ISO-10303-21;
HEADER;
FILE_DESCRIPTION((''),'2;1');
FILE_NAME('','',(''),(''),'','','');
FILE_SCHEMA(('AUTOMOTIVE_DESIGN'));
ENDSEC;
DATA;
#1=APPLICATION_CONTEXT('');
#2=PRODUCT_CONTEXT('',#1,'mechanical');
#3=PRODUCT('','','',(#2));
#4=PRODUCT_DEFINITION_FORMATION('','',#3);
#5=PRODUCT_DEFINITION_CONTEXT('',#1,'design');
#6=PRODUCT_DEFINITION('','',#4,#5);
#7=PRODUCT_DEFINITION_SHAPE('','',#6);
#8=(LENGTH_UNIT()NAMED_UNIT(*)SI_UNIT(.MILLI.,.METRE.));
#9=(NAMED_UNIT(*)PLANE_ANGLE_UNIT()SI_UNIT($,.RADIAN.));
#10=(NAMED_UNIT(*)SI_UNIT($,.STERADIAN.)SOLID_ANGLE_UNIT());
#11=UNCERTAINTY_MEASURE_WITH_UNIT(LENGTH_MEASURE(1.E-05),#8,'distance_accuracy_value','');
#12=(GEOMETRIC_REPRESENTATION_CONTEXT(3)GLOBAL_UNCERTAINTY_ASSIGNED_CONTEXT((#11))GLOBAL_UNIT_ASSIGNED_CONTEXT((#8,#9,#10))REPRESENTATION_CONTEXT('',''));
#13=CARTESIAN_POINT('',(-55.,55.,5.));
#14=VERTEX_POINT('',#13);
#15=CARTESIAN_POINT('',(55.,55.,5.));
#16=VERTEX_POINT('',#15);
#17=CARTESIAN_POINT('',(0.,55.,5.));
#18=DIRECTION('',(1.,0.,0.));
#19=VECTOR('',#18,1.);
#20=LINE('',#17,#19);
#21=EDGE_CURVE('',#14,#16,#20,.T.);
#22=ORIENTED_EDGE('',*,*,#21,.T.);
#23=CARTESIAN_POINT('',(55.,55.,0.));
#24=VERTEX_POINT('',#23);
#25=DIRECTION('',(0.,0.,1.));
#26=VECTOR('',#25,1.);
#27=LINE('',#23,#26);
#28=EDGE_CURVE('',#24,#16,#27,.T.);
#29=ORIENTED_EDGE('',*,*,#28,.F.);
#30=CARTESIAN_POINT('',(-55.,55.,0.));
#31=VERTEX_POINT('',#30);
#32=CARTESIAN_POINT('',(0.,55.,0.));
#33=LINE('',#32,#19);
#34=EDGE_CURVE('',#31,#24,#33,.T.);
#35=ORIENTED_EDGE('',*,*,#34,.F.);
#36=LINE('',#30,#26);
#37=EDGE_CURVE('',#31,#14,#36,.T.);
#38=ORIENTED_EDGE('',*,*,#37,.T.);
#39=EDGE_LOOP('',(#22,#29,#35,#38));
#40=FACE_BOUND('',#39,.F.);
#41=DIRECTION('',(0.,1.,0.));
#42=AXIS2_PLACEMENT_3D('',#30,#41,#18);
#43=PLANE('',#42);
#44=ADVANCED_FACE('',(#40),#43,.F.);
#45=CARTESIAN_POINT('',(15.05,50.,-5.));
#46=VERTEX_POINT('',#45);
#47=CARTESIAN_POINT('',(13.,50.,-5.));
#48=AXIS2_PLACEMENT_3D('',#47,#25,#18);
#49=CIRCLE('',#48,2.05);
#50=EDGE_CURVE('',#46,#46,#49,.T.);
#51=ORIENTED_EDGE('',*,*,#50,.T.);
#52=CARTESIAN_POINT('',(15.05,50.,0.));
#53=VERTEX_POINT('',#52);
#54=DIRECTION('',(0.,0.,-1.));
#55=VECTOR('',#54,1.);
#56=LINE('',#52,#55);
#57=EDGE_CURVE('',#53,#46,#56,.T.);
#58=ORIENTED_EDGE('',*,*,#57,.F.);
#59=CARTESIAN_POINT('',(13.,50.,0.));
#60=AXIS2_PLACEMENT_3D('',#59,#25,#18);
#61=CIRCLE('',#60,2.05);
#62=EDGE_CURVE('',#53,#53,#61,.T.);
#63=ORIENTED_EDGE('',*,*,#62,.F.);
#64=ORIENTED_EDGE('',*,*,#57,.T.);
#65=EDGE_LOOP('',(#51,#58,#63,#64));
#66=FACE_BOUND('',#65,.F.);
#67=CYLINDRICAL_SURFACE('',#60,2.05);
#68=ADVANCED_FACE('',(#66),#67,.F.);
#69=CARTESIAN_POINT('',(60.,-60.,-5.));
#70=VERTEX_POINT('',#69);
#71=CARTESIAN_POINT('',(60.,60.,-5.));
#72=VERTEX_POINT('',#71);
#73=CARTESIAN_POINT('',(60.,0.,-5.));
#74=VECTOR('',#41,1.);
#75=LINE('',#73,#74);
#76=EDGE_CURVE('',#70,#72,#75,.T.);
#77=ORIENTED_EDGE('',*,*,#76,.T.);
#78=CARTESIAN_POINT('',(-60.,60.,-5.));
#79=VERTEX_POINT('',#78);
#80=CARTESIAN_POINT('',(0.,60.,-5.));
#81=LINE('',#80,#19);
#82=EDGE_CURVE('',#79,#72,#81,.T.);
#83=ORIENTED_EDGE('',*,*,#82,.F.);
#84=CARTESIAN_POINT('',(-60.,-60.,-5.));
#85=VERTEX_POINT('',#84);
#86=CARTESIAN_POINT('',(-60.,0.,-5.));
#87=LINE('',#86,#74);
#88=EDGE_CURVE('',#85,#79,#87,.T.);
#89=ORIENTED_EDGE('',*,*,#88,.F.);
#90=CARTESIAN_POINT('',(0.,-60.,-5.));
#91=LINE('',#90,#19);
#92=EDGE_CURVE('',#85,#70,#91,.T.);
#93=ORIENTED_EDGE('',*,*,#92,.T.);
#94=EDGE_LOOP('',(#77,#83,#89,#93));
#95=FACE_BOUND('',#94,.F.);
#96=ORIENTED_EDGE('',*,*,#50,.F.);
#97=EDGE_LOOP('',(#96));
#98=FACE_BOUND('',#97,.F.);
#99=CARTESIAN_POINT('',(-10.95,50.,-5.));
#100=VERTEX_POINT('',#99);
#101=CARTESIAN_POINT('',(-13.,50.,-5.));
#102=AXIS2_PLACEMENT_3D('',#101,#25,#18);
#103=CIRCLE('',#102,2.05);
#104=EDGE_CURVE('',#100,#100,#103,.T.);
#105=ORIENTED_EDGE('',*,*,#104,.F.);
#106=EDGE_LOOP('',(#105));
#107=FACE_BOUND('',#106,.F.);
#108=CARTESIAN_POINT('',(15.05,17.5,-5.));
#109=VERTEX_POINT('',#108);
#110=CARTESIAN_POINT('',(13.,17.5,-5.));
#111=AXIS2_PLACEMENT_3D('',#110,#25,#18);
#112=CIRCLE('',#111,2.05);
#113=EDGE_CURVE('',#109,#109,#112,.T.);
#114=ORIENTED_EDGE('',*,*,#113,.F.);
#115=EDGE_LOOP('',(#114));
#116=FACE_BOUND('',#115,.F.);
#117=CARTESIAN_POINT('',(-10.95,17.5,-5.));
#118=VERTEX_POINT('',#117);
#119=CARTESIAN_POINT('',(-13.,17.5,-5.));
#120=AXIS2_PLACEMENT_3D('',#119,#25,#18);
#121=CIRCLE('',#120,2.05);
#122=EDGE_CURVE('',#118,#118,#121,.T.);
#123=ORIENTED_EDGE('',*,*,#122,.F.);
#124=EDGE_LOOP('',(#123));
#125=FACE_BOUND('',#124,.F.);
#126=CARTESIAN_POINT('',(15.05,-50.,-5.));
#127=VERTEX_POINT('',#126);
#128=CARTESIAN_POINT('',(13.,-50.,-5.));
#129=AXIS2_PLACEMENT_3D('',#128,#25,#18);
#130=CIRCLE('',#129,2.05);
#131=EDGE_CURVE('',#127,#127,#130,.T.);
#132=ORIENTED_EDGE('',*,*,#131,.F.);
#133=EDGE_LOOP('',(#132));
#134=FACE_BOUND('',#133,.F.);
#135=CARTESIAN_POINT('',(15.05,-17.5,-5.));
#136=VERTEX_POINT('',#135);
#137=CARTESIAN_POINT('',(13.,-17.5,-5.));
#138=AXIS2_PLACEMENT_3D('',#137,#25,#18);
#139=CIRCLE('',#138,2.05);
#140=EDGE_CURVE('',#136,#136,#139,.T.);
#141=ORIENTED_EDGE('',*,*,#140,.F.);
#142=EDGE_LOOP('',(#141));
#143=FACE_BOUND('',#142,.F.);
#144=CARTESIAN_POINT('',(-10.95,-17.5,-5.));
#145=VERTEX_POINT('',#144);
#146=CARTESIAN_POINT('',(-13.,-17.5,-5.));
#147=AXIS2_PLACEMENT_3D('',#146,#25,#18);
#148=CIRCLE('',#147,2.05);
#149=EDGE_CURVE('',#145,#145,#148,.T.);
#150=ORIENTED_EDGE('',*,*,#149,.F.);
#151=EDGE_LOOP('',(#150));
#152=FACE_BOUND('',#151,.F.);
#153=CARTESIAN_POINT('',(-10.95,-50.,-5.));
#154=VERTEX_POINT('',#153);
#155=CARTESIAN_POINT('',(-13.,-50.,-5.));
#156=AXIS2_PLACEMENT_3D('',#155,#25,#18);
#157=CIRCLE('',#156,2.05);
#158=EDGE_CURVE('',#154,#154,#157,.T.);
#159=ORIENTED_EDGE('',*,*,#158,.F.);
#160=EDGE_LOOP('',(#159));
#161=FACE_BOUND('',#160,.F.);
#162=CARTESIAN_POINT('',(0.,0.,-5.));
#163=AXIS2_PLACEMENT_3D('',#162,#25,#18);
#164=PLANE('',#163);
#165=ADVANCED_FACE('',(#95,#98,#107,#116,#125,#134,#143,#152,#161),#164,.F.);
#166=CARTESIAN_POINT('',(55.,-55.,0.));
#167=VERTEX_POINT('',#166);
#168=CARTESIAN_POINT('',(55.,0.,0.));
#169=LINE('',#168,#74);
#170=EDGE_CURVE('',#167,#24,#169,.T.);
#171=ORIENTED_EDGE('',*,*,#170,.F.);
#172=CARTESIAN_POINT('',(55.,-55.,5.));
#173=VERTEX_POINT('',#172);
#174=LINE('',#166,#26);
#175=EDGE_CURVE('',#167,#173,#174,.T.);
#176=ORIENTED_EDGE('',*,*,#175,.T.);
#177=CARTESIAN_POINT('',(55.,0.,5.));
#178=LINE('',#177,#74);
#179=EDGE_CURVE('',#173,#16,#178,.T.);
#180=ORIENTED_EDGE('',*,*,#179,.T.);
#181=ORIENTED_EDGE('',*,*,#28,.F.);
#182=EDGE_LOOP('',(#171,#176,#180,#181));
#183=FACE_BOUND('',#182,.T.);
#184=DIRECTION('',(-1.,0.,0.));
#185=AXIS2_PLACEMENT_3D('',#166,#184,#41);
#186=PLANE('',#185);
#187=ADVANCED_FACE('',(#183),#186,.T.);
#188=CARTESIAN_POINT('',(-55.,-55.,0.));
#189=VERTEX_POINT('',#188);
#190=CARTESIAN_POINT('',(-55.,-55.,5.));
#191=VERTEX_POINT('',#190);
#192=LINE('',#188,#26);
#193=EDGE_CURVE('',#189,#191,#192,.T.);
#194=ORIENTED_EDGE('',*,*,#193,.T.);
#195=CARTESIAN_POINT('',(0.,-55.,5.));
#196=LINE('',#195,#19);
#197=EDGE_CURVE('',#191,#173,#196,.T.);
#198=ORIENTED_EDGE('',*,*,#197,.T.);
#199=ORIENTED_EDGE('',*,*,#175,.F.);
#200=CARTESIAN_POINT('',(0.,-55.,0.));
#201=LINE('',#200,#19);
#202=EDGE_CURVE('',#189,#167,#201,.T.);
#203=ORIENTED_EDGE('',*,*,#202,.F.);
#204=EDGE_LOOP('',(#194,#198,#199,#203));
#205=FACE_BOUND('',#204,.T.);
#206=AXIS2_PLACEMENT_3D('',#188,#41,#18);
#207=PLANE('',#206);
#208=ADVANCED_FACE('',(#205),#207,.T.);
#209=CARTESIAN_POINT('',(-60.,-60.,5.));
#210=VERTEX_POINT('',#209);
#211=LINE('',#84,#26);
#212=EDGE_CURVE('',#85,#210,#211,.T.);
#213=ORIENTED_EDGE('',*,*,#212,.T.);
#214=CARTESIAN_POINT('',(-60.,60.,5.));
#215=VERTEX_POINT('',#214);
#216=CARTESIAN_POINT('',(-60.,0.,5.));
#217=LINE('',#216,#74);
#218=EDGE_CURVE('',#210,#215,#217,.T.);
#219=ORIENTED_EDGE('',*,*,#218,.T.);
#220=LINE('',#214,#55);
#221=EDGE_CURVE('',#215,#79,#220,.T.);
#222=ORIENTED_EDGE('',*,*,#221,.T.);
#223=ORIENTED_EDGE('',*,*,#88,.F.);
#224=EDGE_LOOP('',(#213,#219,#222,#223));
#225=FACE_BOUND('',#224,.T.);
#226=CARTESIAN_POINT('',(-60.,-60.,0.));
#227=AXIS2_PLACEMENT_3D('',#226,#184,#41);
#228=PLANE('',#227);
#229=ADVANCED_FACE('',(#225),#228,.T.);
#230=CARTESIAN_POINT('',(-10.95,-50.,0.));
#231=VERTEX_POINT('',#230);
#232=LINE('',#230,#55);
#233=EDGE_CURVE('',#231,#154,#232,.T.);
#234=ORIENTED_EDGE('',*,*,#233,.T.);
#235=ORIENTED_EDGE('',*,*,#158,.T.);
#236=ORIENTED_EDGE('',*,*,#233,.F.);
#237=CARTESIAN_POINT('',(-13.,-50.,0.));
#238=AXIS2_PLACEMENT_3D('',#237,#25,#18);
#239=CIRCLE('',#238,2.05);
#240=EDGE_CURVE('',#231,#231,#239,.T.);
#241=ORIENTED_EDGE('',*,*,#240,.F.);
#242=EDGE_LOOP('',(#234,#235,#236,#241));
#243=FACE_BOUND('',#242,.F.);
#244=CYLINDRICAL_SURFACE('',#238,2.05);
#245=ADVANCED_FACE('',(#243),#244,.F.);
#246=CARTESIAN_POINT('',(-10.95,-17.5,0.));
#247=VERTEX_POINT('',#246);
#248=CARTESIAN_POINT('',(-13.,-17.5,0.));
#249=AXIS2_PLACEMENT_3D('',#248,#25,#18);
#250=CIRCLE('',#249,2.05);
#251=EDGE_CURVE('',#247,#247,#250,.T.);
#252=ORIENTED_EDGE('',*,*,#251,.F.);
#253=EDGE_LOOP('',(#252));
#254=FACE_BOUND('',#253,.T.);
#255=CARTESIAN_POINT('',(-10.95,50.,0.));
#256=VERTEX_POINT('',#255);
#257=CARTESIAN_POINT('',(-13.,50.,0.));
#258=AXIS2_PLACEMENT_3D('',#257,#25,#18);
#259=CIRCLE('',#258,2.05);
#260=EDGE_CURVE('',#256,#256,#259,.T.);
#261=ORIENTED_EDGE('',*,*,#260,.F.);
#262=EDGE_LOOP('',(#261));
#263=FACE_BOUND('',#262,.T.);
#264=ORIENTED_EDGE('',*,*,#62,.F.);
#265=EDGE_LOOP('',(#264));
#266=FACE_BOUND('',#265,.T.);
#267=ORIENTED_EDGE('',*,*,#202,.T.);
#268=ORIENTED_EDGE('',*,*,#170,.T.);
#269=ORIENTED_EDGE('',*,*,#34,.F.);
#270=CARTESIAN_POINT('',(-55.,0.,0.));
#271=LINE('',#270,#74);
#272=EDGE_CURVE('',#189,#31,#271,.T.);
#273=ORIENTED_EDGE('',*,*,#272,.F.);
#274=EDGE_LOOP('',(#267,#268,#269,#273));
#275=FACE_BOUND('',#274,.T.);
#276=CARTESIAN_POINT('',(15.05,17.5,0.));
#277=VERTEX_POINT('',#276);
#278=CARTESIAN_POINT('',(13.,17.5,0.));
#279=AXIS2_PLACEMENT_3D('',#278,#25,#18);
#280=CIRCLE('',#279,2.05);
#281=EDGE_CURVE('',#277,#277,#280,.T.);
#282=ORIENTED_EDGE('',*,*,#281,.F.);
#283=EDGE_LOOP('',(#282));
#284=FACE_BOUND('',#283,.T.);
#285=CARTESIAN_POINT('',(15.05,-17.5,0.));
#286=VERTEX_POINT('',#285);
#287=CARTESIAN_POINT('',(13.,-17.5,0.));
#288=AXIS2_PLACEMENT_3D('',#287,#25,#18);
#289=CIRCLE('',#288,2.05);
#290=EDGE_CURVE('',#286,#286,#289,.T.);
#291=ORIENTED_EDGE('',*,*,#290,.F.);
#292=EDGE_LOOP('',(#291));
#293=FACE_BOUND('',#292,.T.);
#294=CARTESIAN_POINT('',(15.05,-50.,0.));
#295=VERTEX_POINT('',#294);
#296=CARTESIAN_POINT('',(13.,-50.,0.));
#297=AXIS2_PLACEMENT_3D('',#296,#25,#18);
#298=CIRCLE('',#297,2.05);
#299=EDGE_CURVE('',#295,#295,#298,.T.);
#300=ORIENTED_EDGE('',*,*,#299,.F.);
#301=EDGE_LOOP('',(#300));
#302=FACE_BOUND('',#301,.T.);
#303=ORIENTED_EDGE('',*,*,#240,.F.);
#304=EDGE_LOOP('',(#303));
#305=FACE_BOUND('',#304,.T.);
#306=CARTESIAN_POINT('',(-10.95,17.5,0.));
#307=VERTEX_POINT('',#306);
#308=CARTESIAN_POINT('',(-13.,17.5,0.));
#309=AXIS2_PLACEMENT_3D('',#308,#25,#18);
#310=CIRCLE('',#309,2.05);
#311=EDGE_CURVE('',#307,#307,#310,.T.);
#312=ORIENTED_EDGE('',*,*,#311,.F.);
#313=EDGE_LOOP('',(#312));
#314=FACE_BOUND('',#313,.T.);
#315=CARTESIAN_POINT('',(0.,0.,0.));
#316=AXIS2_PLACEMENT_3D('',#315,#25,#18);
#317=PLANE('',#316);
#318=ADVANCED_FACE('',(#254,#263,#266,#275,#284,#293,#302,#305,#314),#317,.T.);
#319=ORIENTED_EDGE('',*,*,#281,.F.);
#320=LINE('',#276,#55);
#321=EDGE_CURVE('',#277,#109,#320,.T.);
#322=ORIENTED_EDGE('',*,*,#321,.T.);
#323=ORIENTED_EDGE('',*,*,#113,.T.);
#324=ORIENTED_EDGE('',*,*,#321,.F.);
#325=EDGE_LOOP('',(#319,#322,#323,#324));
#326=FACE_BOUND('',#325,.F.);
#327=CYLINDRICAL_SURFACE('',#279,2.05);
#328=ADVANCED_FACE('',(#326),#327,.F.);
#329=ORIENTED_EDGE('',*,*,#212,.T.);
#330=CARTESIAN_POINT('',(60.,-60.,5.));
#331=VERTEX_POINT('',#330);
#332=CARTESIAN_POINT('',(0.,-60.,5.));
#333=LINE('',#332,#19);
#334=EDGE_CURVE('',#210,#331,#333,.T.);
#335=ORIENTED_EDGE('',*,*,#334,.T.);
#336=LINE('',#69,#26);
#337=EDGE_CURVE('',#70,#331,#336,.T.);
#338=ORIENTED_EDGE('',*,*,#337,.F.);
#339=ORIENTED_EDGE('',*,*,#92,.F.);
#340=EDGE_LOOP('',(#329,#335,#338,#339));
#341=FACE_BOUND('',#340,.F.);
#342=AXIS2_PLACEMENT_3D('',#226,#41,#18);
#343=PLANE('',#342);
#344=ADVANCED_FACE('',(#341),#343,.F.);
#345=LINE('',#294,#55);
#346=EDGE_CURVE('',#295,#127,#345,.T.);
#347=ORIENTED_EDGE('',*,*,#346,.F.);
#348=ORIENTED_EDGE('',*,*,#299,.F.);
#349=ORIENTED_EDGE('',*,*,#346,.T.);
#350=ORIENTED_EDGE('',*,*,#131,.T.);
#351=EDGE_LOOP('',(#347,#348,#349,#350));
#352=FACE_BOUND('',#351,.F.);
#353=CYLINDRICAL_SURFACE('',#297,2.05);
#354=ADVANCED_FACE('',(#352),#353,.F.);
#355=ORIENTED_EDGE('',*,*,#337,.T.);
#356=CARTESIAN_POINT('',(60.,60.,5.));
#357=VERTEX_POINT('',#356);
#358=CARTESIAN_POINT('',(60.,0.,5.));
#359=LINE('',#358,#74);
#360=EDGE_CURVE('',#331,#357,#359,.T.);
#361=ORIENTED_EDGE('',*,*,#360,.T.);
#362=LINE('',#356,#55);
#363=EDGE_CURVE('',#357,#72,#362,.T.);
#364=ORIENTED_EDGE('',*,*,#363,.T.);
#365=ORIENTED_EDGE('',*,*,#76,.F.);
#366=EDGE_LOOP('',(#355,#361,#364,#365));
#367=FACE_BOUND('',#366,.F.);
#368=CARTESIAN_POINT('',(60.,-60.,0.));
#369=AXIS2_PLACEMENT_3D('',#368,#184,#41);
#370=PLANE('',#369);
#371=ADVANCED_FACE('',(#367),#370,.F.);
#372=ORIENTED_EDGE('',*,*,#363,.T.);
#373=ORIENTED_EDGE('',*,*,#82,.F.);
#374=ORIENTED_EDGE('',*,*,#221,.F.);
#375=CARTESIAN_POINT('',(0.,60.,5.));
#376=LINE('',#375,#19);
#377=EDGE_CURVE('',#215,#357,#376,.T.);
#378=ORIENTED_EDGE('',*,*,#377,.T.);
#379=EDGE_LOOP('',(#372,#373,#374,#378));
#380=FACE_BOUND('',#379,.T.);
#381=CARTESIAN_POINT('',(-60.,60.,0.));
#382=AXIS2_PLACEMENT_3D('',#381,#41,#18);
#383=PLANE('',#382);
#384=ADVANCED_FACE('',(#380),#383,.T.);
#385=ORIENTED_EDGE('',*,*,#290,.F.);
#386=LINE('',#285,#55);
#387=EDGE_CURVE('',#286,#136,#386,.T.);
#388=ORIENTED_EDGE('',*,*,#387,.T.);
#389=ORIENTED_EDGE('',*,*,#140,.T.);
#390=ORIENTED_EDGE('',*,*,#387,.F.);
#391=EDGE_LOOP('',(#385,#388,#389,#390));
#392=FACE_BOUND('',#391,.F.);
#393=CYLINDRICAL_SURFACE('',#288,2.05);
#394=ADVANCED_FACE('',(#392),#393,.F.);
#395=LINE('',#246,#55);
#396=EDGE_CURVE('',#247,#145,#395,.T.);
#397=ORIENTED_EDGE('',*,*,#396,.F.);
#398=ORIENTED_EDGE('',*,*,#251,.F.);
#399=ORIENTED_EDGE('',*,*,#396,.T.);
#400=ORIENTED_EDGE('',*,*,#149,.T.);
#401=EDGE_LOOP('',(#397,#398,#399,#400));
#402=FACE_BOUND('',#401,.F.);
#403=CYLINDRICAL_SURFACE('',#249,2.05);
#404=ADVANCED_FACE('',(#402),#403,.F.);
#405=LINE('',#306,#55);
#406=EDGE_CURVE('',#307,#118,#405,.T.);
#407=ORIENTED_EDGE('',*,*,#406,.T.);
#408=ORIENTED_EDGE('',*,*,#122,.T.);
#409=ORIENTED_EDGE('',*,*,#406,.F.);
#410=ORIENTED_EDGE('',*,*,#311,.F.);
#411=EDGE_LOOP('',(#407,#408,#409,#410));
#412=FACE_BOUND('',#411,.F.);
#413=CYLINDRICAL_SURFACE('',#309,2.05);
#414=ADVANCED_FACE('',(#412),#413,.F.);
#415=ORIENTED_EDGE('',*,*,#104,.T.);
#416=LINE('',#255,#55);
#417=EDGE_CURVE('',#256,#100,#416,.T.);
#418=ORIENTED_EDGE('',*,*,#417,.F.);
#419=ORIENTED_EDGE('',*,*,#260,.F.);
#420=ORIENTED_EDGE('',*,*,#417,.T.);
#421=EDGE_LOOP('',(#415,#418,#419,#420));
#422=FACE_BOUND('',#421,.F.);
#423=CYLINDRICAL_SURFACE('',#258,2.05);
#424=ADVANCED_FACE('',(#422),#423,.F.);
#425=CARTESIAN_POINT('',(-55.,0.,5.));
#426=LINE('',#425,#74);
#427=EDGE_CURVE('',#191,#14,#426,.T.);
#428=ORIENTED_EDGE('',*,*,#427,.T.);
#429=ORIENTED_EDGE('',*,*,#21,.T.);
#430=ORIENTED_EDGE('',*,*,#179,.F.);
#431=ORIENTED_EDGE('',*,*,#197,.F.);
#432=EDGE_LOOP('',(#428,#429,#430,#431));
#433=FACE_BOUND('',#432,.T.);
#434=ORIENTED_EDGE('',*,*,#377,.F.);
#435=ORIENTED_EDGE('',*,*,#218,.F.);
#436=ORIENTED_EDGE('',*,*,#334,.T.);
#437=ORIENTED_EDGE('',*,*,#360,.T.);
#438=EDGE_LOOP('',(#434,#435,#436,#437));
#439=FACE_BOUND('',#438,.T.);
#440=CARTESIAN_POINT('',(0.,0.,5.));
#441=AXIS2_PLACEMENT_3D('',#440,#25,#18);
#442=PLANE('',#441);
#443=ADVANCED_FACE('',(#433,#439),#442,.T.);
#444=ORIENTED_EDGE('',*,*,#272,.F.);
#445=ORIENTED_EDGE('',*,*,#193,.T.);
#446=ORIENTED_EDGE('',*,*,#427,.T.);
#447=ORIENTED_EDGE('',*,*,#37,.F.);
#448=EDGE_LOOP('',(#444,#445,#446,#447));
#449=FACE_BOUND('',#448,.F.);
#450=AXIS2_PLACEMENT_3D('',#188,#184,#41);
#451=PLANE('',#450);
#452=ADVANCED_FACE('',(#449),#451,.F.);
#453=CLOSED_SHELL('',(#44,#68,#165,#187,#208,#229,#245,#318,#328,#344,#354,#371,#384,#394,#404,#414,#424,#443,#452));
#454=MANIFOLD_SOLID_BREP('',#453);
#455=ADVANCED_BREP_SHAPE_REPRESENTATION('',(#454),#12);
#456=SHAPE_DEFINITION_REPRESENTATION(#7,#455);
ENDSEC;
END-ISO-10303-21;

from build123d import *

# Parameters (mm, degrees)
F0_W     = 120
F0_H     = 120
F0_R     = 2.05
F1_DEPTH = 5
F2_W     = 120
F2_H     = 120
F2_W_2   = 110
F2_H_2   = 110
F3_DEPTH = 5


with BuildPart() as f1:
    # F0 (on Top) → F1 (new body)
    with BuildSketch(Plane.XY):
        Rectangle(F0_W, F0_H)
        with Locations((-13, -50)):
            Circle(F0_R, mode=Mode.SUBTRACT)
        with Locations((-13, -17.5)):
            Circle(F0_R, mode=Mode.SUBTRACT)
        with Locations((13, -50)):
            Circle(F0_R, mode=Mode.SUBTRACT)
        with Locations((13, -17.5)):
            Circle(F0_R, mode=Mode.SUBTRACT)
        with Locations((-13, 17.5)):
            Circle(F0_R, mode=Mode.SUBTRACT)
        with Locations((-13, 50)):
            Circle(F0_R, mode=Mode.SUBTRACT)
        with Locations((13, 17.5)):
            Circle(F0_R, mode=Mode.SUBTRACT)
        with Locations((13, 50)):
            Circle(F0_R, mode=Mode.SUBTRACT)
    extrude(amount=-F1_DEPTH)

    # F2 (on Top) → F3 (join)
    with BuildSketch(Plane.XY):
        Rectangle(F2_W, F2_H)
        Rectangle(F2_W_2, F2_H_2, mode=Mode.SUBTRACT)
    extrude(amount=F3_DEPTH)


solid = f1.part
